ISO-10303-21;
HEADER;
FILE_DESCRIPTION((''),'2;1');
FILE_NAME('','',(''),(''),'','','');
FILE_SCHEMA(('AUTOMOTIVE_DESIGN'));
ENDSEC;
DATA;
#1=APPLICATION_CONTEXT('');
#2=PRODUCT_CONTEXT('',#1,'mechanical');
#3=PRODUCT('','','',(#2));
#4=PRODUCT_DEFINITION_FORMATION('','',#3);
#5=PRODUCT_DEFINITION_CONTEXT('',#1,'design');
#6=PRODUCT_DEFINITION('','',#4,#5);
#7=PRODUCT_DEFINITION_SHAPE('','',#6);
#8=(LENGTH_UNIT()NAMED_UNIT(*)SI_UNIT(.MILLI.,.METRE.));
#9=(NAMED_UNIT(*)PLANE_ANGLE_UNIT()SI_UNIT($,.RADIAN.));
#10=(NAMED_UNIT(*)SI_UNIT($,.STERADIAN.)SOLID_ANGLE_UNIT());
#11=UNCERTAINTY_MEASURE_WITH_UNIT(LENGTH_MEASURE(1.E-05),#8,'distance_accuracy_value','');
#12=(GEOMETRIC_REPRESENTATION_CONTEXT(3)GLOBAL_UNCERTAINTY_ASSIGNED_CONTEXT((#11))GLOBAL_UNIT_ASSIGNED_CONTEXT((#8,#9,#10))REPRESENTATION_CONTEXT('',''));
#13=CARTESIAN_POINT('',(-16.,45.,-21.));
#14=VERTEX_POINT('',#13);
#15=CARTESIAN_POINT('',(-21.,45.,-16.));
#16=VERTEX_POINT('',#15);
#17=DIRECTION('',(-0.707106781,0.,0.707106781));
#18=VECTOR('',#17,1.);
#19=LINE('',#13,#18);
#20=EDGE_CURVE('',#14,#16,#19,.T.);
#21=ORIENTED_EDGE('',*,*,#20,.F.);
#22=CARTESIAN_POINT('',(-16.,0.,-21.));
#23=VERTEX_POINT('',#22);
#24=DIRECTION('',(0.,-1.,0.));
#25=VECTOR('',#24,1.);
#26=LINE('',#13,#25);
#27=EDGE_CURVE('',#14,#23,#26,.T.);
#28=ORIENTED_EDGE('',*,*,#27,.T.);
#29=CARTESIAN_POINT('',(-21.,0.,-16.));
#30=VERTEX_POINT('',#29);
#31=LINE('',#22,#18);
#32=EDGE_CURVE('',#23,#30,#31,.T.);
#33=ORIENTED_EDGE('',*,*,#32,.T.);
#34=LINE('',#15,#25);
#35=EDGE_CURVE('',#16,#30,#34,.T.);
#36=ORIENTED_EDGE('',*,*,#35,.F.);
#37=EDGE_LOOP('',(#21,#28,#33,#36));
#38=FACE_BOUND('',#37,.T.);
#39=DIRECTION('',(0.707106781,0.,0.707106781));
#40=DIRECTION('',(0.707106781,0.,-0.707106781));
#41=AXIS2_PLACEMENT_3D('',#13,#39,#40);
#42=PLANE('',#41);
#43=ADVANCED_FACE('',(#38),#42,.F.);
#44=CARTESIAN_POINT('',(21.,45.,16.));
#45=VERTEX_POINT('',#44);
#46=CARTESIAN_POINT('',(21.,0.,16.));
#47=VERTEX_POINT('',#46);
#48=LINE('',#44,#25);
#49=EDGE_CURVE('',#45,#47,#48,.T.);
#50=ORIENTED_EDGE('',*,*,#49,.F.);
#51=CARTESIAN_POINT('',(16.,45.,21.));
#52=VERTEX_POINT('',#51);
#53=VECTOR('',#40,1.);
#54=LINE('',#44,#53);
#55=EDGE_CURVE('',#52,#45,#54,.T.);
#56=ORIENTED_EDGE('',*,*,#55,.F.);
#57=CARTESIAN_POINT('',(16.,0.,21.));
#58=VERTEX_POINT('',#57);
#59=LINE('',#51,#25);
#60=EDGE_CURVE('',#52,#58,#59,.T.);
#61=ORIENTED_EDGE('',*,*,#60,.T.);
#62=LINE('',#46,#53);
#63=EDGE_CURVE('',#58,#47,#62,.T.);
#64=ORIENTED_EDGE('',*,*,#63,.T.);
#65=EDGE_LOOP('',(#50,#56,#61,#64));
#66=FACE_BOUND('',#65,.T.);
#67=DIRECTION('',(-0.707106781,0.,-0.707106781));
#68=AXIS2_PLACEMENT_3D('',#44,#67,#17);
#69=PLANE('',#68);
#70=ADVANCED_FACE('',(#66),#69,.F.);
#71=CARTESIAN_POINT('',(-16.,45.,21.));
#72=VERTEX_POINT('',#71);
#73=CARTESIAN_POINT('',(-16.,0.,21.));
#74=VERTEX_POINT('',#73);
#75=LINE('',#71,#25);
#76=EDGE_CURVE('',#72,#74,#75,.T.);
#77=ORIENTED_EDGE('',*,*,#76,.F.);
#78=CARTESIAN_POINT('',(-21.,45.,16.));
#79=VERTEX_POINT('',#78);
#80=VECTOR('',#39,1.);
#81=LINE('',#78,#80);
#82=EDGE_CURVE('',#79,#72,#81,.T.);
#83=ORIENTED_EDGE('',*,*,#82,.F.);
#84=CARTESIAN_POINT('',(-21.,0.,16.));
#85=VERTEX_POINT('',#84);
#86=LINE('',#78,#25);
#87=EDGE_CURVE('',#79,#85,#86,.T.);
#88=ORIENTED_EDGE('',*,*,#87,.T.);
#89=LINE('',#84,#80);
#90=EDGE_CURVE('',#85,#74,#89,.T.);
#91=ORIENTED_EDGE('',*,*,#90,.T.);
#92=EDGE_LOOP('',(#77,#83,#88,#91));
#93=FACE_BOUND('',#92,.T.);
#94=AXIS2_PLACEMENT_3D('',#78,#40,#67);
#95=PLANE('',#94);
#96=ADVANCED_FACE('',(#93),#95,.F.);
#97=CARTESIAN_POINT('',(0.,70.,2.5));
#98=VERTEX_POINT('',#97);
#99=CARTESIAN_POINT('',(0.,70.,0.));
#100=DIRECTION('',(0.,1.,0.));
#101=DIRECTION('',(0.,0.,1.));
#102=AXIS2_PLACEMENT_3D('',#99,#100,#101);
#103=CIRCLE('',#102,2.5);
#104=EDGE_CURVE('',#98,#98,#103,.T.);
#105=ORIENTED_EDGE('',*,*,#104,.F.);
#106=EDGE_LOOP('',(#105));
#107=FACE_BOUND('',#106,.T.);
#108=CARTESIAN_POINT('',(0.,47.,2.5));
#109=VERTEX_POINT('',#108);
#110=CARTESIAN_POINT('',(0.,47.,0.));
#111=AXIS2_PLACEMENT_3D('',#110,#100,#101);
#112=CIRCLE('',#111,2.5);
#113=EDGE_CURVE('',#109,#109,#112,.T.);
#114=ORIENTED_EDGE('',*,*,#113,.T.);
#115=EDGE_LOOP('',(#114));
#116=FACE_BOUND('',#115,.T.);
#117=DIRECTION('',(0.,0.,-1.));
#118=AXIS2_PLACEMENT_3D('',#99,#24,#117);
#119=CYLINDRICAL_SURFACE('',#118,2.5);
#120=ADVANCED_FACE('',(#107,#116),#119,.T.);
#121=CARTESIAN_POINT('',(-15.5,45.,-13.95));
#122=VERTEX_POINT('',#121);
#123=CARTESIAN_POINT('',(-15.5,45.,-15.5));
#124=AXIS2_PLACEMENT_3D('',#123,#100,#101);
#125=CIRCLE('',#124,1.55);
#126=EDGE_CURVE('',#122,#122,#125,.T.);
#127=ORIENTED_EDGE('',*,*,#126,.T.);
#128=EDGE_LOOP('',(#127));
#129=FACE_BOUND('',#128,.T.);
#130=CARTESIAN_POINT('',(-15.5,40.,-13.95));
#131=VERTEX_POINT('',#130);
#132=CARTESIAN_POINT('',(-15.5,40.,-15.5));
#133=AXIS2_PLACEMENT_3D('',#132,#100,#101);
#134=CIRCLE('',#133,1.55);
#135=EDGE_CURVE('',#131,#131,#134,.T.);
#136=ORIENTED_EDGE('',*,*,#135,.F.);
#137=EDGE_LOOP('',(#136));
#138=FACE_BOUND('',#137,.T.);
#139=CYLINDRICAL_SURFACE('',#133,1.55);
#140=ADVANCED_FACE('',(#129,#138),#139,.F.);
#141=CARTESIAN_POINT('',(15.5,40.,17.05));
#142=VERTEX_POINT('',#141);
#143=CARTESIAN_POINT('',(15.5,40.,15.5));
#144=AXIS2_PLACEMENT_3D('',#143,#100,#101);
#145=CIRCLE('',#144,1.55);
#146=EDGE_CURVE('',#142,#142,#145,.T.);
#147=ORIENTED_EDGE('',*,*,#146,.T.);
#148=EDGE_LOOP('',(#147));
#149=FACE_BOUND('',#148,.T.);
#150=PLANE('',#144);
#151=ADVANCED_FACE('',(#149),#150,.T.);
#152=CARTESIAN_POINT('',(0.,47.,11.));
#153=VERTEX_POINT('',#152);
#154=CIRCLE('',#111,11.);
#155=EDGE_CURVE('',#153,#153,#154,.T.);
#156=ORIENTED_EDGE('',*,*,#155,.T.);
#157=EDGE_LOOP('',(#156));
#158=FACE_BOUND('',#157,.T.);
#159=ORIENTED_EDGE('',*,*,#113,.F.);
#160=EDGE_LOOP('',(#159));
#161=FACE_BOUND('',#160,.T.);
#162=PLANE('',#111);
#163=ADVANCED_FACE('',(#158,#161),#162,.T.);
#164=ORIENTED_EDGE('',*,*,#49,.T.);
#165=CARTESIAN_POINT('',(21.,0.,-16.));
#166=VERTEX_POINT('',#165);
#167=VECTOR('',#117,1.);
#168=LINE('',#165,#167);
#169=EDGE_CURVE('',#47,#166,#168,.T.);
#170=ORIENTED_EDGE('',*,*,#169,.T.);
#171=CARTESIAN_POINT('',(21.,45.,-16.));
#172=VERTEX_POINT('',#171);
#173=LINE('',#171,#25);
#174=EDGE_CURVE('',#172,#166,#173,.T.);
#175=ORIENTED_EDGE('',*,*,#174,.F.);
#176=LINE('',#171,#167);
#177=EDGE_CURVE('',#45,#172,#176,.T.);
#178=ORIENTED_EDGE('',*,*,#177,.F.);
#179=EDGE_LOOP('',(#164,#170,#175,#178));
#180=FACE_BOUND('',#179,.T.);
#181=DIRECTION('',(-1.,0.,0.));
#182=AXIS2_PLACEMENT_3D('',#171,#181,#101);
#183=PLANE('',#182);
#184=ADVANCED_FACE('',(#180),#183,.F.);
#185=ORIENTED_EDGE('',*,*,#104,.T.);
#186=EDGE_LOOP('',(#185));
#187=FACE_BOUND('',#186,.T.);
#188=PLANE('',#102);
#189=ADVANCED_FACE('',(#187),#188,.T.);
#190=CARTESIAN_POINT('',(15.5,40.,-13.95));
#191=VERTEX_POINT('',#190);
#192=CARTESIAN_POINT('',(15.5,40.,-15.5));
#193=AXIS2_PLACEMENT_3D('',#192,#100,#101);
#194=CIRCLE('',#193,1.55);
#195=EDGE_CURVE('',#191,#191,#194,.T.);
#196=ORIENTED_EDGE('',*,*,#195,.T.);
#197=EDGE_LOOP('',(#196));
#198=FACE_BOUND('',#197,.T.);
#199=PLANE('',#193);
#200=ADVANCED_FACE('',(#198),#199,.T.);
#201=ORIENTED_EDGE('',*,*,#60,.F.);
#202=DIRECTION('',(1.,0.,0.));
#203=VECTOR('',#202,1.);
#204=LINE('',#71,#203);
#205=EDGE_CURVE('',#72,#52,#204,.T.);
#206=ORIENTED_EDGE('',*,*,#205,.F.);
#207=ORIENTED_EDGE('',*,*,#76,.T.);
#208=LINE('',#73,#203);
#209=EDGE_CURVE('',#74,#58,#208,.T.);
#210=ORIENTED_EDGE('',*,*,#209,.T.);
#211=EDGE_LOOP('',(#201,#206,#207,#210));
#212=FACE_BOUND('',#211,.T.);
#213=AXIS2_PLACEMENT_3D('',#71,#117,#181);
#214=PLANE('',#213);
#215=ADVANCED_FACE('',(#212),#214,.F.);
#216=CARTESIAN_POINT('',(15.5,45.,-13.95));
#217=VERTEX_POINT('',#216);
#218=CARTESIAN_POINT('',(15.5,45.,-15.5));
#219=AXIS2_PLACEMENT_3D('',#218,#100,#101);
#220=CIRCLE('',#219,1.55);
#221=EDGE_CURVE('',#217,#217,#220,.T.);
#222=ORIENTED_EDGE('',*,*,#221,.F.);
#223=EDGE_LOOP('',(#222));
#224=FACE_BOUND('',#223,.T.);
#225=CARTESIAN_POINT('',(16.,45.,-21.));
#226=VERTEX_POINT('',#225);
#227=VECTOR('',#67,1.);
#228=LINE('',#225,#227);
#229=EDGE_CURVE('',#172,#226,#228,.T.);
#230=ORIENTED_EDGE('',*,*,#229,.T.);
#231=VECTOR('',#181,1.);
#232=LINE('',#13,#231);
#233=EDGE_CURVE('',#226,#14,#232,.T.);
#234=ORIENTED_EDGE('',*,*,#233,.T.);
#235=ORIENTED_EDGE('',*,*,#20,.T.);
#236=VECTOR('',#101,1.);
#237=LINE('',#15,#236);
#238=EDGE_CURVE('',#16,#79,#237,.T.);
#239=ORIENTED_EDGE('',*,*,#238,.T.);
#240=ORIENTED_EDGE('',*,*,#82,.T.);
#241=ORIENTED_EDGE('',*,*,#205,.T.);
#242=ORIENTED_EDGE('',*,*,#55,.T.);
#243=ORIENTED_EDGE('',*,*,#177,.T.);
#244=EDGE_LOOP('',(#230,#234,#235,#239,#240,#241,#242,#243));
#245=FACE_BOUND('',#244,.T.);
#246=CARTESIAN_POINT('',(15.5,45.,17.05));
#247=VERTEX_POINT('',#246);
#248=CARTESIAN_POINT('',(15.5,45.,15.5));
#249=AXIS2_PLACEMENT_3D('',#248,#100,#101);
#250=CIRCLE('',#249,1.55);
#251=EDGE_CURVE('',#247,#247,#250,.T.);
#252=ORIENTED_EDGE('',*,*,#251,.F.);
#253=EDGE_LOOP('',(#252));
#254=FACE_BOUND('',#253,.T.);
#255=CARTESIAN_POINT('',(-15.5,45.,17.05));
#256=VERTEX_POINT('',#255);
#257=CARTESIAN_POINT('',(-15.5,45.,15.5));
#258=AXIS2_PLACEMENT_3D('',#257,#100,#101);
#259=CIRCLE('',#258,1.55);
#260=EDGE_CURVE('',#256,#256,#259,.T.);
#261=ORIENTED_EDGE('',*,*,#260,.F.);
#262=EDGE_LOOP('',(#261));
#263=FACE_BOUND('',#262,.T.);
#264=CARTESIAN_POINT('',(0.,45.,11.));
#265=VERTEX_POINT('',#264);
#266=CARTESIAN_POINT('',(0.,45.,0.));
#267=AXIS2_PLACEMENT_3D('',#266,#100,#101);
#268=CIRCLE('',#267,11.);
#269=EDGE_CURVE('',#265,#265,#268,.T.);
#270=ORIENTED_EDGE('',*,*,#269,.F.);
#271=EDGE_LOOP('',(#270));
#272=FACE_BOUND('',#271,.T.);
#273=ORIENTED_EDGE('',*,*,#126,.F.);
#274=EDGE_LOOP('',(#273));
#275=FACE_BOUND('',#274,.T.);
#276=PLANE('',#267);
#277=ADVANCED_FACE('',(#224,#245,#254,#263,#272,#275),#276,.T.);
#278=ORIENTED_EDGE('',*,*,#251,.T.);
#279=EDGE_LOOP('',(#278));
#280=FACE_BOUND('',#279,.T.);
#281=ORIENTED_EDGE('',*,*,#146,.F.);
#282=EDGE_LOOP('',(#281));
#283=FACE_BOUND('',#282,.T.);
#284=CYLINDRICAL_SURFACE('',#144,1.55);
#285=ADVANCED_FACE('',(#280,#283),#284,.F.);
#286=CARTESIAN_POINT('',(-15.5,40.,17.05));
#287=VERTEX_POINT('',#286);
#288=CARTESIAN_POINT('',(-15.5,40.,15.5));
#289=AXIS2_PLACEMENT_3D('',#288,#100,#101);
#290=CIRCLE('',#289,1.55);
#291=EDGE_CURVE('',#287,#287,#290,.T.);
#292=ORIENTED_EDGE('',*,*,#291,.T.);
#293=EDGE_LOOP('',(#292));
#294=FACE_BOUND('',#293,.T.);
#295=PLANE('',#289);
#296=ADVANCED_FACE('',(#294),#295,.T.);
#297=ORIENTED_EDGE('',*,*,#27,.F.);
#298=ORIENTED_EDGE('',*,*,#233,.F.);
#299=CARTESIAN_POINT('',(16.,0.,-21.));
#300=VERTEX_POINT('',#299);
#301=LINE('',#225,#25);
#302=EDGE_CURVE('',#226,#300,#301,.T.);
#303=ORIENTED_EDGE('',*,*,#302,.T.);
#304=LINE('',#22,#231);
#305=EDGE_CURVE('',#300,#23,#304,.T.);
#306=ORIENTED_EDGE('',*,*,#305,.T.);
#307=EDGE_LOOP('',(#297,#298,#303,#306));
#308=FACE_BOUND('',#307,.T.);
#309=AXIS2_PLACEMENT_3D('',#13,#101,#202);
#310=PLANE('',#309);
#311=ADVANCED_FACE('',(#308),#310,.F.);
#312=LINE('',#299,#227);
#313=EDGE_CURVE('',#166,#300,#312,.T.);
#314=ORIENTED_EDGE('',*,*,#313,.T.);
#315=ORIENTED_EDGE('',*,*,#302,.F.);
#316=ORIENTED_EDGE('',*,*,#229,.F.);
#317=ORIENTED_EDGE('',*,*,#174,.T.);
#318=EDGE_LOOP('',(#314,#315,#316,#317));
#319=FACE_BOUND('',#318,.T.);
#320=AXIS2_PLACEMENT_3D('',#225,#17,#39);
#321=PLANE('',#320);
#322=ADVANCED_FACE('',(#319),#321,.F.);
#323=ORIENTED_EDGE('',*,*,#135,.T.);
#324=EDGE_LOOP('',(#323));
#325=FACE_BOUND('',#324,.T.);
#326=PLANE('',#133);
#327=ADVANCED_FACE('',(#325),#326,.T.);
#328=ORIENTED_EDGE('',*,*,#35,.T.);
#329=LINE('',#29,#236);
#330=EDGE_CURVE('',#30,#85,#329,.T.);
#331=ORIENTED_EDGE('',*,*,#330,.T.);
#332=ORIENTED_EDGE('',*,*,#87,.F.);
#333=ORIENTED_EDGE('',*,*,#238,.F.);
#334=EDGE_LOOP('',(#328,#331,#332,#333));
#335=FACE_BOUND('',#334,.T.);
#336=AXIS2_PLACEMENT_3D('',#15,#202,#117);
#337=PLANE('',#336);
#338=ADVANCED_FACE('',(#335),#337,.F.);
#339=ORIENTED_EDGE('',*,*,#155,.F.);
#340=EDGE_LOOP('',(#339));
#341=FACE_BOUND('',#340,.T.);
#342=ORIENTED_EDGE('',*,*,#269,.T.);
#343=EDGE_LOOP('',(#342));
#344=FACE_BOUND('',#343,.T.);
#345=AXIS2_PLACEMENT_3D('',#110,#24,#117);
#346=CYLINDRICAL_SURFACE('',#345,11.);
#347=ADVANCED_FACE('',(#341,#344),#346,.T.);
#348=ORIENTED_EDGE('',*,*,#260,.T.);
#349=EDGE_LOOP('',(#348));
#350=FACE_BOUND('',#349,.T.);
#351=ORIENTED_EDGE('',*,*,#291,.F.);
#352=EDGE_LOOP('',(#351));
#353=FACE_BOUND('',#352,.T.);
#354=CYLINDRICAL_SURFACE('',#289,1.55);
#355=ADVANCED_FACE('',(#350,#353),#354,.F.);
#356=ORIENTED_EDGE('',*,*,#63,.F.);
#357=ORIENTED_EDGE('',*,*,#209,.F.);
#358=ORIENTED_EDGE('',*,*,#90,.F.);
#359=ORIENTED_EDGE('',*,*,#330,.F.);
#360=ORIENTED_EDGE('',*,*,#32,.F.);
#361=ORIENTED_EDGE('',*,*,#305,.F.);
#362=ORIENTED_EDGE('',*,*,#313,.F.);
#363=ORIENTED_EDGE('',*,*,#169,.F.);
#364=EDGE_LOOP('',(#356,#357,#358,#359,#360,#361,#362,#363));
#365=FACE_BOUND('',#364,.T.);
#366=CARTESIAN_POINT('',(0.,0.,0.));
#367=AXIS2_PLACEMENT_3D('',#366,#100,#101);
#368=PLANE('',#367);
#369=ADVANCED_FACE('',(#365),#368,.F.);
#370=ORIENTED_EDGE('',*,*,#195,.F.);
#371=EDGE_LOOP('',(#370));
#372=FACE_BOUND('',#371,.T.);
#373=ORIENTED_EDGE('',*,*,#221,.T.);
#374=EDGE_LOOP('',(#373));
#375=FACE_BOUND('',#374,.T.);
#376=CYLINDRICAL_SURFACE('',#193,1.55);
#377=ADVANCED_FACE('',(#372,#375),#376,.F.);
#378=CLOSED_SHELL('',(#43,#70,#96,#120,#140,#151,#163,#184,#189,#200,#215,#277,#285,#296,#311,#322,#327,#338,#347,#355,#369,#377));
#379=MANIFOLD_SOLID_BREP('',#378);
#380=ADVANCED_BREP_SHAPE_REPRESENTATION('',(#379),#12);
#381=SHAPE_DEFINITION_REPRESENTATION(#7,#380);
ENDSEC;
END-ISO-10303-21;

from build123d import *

# Parameters (mm, degrees)
EXTRUDE_1_DEPTH     = 45
SKETCH_2_R          = 11
EXTRUDE_2_DEPTH     = 2
SKETCH_3_R          = 2.5
EXTRUDE_3_DEPTH     = 23
SKETCH_4_R          = 1.55
CUT_EXTRUDE_1_DEPTH = 5


with BuildPart() as part:
    # 草图1 → 凸台-拉伸1 (new body)
    with BuildSketch(Plane(origin=(0, 0, 0), x_dir=(1, 0, 0), z_dir=(0, 1, 0))):
        Polygon((-16, 21), (-21, 16), (-21, -16), (-16, -21), (16, -21), (21, -16), (21, 16), (16, 21), align=None)
    extrude(amount=EXTRUDE_1_DEPTH)

    # 草图2 → 凸台-拉伸2 (add)
    with BuildSketch(Plane(origin=(0, 45, 0), x_dir=(1, 0, 0), z_dir=(0, 1, 0))):
        with Locations(Location((0, 0, 0), (0, 0, 270))):
            Circle(SKETCH_2_R)
    extrude(amount=EXTRUDE_2_DEPTH)

    # 草图3 → 凸台-拉伸3 (add)
    with BuildSketch(Plane(origin=(0, 47, 0), x_dir=(1, 0, 0), z_dir=(0, 1, 0))):
        with Locations(Location((0, 0, 0), (0, 0, 270))):
            Circle(SKETCH_3_R)
    extrude(amount=EXTRUDE_3_DEPTH)

    # 草图4 → 切除-拉伸1 (cut)
    with BuildSketch(Plane(origin=(0, 45, 0), x_dir=(1, 0, 0), z_dir=(0, 1, 0))):
        with Locations(Location((-15.5, 15.5, 0), (0, 0, 270))):
            Circle(SKETCH_4_R)
        with Locations(Location((15.5, 15.5, 0), (0, 0, 270))):
            Circle(SKETCH_4_R)
        with Locations(Location((-15.5, -15.5, 0), (0, 0, 270))):
            Circle(SKETCH_4_R)
        with Locations(Location((15.5, -15.5, 0), (0, 0, 270))):
            Circle(SKETCH_4_R)
    extrude(amount=-CUT_EXTRUDE_1_DEPTH, mode=Mode.SUBTRACT)


solid = part.part
